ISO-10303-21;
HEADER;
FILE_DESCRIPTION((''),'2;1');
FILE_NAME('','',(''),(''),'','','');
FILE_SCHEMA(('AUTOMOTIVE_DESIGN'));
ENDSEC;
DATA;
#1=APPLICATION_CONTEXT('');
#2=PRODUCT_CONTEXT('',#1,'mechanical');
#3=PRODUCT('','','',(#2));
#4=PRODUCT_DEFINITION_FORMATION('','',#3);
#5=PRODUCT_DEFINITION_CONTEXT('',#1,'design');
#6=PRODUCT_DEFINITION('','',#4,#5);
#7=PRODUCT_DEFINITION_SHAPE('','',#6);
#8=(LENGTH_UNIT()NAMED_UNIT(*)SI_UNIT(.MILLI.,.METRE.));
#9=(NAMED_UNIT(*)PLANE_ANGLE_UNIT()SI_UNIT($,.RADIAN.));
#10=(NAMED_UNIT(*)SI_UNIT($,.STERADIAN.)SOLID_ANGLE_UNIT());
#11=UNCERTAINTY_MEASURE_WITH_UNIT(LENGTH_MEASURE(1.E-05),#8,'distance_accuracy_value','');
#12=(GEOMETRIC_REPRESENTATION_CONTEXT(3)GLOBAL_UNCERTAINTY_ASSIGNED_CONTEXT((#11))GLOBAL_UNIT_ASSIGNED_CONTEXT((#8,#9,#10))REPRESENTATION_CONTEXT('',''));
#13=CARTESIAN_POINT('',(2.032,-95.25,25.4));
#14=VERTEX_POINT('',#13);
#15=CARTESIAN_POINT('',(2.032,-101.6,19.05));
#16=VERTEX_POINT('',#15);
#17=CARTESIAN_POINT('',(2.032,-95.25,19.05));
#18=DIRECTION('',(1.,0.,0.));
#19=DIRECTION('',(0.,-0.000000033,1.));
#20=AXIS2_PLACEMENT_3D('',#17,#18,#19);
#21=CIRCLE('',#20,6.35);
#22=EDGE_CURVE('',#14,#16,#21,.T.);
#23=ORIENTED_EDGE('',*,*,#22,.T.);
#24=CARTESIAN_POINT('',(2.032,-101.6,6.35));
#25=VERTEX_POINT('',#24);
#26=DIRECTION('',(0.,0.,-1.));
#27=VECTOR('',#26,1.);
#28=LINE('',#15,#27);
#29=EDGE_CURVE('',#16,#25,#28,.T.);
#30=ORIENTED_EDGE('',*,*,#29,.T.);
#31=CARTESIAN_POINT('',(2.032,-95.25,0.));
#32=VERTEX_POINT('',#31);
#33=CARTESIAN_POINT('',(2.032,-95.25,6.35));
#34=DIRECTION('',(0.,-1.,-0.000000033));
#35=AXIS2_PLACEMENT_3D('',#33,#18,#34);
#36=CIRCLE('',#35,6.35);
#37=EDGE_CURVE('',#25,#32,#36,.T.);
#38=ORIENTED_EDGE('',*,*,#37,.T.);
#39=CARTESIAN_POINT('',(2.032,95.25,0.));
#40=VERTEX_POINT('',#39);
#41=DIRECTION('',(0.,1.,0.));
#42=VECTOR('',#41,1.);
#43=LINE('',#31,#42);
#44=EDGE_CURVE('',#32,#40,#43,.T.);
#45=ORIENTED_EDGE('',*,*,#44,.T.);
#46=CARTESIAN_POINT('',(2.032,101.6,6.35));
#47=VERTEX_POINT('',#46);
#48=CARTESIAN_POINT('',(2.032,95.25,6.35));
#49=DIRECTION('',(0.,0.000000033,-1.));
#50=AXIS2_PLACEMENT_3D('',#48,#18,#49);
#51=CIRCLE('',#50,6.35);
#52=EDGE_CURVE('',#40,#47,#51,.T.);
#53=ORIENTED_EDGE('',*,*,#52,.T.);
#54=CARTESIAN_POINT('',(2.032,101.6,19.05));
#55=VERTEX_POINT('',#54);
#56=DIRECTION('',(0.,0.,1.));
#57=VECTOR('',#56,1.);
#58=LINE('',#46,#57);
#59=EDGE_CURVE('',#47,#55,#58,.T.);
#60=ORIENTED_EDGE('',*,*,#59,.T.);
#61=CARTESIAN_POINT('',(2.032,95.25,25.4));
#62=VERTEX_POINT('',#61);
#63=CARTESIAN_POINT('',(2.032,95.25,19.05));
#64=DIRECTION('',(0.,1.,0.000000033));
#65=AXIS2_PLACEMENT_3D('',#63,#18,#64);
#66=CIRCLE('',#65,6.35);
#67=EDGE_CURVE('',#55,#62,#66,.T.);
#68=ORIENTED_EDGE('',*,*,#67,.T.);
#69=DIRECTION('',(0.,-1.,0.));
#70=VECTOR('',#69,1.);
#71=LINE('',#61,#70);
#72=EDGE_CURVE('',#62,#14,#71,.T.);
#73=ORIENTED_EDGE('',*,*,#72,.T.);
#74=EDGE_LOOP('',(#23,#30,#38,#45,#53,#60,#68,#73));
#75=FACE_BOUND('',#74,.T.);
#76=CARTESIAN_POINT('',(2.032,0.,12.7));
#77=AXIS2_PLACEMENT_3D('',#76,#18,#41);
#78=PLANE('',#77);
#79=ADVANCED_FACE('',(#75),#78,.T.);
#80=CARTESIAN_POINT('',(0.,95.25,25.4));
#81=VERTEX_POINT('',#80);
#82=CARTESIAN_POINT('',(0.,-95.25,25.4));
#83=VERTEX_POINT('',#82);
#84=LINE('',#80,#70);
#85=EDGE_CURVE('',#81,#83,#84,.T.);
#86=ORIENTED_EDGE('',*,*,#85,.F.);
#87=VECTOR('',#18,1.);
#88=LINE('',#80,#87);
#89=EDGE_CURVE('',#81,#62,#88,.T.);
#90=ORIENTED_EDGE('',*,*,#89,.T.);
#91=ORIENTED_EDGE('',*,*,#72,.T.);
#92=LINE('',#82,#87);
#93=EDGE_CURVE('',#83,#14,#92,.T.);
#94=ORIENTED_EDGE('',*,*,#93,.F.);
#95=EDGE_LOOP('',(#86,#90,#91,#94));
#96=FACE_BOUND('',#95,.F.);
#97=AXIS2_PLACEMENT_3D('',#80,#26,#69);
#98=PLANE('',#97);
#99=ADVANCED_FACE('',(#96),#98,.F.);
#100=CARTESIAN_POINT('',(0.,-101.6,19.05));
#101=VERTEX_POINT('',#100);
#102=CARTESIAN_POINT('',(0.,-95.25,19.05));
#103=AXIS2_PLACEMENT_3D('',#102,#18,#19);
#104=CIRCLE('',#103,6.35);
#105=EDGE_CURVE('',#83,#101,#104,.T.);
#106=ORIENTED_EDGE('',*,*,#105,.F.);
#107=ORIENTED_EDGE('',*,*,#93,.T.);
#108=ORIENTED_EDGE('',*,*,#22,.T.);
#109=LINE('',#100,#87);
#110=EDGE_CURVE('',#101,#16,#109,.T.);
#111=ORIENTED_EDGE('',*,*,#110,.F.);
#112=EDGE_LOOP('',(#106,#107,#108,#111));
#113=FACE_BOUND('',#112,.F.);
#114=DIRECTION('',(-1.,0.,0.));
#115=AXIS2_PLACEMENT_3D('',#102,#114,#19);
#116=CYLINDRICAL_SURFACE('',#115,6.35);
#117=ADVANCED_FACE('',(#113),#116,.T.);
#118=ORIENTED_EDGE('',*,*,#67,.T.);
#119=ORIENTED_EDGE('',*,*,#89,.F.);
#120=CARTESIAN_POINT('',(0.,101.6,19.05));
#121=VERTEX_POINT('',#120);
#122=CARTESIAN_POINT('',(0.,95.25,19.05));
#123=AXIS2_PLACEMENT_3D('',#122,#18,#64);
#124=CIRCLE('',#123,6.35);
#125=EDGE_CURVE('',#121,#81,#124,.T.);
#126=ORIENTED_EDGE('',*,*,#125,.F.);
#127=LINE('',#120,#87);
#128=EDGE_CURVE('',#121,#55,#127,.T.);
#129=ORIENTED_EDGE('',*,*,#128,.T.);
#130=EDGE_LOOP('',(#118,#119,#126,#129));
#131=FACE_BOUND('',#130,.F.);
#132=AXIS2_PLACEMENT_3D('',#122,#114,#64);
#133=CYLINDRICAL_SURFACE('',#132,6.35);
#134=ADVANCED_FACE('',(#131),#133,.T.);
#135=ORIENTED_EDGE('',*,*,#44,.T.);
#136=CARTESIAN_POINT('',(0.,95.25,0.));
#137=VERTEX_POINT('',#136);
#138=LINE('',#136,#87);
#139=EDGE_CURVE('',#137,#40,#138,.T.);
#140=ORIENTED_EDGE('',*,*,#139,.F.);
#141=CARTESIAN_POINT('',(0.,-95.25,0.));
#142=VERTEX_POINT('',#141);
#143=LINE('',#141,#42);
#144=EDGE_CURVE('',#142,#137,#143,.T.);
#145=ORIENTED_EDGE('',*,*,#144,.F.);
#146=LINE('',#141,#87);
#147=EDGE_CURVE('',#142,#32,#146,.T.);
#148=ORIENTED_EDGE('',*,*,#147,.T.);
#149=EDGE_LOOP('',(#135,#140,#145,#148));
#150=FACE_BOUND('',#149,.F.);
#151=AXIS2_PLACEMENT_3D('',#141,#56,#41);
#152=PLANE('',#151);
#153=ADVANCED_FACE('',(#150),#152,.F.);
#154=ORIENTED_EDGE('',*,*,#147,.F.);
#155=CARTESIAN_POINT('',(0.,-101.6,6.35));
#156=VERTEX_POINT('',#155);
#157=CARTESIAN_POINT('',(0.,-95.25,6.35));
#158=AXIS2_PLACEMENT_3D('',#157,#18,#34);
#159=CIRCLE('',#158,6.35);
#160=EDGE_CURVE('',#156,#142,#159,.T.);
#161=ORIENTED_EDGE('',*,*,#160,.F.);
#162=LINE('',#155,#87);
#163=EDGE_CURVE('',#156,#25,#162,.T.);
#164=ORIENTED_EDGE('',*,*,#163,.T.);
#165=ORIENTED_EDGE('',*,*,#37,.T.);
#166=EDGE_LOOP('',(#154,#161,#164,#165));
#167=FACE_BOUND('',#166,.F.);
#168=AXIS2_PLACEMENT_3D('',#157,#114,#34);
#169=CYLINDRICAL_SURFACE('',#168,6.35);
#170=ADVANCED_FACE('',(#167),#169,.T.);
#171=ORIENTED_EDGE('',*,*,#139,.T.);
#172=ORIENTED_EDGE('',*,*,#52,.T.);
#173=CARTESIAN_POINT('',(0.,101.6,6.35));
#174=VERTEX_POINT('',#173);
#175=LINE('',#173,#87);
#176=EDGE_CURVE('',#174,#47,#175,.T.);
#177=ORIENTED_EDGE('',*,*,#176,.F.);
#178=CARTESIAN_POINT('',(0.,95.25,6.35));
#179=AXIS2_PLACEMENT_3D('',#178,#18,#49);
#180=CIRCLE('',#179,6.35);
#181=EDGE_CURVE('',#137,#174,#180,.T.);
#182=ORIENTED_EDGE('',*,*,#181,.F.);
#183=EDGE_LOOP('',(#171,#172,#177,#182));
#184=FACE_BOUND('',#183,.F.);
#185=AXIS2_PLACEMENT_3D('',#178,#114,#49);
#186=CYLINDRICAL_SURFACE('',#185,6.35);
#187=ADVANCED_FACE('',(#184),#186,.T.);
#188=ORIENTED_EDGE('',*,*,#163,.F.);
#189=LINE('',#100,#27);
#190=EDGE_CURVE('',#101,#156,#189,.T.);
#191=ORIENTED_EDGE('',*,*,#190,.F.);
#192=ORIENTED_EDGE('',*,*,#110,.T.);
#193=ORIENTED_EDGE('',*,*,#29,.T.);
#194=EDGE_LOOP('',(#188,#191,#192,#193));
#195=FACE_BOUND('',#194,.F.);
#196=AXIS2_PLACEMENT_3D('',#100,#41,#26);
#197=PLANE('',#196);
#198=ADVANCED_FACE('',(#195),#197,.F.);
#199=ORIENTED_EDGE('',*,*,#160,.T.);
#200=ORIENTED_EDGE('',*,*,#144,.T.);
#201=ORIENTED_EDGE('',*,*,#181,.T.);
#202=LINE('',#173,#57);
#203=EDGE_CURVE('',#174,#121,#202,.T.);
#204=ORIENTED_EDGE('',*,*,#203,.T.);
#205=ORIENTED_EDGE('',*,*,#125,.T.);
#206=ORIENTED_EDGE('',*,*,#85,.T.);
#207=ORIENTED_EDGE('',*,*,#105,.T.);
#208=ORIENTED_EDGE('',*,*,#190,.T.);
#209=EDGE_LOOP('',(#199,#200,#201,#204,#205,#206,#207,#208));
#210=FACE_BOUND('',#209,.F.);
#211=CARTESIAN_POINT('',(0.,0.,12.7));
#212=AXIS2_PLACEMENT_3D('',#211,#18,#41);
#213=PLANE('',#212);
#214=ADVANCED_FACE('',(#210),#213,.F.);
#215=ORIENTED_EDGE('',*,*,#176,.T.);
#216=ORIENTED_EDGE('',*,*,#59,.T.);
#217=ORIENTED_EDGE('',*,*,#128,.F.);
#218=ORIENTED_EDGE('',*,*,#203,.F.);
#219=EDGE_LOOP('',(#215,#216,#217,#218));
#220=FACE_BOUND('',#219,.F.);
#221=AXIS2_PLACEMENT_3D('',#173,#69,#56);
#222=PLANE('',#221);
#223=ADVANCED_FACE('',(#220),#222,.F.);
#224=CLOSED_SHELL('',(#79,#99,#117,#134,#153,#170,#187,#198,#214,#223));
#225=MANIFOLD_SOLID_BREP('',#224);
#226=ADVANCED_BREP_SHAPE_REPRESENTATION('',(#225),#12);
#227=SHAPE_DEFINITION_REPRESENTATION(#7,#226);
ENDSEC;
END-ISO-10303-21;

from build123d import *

# Parameters (mm, degrees)
F1_DEPTH = 2.032


with BuildPart() as f1:
    # F0 (on Right) → F1 (new body)
    with BuildSketch(Plane.YZ):
        with BuildLine():
            ThreePointArc((-95.25, 25.4), (-99.740128, 23.540128), (-101.6, 19.05))
            Line((-101.6, 19.05), (-101.6, 6.35))
            ThreePointArc((-101.6, 6.35), (-99.740128, 1.859872), (-95.25, 0))
            Line((-95.25, 0), (95.25, 0))
            ThreePointArc((95.25, 0), (99.740128, 1.859872), (101.6, 6.35))
            Line((101.6, 6.35), (101.6, 19.05))
            ThreePointArc((101.6, 19.05), (99.740128, 23.540128), (95.25, 25.4))
            Line((95.25, 25.4), (-95.25, 25.4))
        make_face()
    extrude(amount=F1_DEPTH)


solid = f1.part
